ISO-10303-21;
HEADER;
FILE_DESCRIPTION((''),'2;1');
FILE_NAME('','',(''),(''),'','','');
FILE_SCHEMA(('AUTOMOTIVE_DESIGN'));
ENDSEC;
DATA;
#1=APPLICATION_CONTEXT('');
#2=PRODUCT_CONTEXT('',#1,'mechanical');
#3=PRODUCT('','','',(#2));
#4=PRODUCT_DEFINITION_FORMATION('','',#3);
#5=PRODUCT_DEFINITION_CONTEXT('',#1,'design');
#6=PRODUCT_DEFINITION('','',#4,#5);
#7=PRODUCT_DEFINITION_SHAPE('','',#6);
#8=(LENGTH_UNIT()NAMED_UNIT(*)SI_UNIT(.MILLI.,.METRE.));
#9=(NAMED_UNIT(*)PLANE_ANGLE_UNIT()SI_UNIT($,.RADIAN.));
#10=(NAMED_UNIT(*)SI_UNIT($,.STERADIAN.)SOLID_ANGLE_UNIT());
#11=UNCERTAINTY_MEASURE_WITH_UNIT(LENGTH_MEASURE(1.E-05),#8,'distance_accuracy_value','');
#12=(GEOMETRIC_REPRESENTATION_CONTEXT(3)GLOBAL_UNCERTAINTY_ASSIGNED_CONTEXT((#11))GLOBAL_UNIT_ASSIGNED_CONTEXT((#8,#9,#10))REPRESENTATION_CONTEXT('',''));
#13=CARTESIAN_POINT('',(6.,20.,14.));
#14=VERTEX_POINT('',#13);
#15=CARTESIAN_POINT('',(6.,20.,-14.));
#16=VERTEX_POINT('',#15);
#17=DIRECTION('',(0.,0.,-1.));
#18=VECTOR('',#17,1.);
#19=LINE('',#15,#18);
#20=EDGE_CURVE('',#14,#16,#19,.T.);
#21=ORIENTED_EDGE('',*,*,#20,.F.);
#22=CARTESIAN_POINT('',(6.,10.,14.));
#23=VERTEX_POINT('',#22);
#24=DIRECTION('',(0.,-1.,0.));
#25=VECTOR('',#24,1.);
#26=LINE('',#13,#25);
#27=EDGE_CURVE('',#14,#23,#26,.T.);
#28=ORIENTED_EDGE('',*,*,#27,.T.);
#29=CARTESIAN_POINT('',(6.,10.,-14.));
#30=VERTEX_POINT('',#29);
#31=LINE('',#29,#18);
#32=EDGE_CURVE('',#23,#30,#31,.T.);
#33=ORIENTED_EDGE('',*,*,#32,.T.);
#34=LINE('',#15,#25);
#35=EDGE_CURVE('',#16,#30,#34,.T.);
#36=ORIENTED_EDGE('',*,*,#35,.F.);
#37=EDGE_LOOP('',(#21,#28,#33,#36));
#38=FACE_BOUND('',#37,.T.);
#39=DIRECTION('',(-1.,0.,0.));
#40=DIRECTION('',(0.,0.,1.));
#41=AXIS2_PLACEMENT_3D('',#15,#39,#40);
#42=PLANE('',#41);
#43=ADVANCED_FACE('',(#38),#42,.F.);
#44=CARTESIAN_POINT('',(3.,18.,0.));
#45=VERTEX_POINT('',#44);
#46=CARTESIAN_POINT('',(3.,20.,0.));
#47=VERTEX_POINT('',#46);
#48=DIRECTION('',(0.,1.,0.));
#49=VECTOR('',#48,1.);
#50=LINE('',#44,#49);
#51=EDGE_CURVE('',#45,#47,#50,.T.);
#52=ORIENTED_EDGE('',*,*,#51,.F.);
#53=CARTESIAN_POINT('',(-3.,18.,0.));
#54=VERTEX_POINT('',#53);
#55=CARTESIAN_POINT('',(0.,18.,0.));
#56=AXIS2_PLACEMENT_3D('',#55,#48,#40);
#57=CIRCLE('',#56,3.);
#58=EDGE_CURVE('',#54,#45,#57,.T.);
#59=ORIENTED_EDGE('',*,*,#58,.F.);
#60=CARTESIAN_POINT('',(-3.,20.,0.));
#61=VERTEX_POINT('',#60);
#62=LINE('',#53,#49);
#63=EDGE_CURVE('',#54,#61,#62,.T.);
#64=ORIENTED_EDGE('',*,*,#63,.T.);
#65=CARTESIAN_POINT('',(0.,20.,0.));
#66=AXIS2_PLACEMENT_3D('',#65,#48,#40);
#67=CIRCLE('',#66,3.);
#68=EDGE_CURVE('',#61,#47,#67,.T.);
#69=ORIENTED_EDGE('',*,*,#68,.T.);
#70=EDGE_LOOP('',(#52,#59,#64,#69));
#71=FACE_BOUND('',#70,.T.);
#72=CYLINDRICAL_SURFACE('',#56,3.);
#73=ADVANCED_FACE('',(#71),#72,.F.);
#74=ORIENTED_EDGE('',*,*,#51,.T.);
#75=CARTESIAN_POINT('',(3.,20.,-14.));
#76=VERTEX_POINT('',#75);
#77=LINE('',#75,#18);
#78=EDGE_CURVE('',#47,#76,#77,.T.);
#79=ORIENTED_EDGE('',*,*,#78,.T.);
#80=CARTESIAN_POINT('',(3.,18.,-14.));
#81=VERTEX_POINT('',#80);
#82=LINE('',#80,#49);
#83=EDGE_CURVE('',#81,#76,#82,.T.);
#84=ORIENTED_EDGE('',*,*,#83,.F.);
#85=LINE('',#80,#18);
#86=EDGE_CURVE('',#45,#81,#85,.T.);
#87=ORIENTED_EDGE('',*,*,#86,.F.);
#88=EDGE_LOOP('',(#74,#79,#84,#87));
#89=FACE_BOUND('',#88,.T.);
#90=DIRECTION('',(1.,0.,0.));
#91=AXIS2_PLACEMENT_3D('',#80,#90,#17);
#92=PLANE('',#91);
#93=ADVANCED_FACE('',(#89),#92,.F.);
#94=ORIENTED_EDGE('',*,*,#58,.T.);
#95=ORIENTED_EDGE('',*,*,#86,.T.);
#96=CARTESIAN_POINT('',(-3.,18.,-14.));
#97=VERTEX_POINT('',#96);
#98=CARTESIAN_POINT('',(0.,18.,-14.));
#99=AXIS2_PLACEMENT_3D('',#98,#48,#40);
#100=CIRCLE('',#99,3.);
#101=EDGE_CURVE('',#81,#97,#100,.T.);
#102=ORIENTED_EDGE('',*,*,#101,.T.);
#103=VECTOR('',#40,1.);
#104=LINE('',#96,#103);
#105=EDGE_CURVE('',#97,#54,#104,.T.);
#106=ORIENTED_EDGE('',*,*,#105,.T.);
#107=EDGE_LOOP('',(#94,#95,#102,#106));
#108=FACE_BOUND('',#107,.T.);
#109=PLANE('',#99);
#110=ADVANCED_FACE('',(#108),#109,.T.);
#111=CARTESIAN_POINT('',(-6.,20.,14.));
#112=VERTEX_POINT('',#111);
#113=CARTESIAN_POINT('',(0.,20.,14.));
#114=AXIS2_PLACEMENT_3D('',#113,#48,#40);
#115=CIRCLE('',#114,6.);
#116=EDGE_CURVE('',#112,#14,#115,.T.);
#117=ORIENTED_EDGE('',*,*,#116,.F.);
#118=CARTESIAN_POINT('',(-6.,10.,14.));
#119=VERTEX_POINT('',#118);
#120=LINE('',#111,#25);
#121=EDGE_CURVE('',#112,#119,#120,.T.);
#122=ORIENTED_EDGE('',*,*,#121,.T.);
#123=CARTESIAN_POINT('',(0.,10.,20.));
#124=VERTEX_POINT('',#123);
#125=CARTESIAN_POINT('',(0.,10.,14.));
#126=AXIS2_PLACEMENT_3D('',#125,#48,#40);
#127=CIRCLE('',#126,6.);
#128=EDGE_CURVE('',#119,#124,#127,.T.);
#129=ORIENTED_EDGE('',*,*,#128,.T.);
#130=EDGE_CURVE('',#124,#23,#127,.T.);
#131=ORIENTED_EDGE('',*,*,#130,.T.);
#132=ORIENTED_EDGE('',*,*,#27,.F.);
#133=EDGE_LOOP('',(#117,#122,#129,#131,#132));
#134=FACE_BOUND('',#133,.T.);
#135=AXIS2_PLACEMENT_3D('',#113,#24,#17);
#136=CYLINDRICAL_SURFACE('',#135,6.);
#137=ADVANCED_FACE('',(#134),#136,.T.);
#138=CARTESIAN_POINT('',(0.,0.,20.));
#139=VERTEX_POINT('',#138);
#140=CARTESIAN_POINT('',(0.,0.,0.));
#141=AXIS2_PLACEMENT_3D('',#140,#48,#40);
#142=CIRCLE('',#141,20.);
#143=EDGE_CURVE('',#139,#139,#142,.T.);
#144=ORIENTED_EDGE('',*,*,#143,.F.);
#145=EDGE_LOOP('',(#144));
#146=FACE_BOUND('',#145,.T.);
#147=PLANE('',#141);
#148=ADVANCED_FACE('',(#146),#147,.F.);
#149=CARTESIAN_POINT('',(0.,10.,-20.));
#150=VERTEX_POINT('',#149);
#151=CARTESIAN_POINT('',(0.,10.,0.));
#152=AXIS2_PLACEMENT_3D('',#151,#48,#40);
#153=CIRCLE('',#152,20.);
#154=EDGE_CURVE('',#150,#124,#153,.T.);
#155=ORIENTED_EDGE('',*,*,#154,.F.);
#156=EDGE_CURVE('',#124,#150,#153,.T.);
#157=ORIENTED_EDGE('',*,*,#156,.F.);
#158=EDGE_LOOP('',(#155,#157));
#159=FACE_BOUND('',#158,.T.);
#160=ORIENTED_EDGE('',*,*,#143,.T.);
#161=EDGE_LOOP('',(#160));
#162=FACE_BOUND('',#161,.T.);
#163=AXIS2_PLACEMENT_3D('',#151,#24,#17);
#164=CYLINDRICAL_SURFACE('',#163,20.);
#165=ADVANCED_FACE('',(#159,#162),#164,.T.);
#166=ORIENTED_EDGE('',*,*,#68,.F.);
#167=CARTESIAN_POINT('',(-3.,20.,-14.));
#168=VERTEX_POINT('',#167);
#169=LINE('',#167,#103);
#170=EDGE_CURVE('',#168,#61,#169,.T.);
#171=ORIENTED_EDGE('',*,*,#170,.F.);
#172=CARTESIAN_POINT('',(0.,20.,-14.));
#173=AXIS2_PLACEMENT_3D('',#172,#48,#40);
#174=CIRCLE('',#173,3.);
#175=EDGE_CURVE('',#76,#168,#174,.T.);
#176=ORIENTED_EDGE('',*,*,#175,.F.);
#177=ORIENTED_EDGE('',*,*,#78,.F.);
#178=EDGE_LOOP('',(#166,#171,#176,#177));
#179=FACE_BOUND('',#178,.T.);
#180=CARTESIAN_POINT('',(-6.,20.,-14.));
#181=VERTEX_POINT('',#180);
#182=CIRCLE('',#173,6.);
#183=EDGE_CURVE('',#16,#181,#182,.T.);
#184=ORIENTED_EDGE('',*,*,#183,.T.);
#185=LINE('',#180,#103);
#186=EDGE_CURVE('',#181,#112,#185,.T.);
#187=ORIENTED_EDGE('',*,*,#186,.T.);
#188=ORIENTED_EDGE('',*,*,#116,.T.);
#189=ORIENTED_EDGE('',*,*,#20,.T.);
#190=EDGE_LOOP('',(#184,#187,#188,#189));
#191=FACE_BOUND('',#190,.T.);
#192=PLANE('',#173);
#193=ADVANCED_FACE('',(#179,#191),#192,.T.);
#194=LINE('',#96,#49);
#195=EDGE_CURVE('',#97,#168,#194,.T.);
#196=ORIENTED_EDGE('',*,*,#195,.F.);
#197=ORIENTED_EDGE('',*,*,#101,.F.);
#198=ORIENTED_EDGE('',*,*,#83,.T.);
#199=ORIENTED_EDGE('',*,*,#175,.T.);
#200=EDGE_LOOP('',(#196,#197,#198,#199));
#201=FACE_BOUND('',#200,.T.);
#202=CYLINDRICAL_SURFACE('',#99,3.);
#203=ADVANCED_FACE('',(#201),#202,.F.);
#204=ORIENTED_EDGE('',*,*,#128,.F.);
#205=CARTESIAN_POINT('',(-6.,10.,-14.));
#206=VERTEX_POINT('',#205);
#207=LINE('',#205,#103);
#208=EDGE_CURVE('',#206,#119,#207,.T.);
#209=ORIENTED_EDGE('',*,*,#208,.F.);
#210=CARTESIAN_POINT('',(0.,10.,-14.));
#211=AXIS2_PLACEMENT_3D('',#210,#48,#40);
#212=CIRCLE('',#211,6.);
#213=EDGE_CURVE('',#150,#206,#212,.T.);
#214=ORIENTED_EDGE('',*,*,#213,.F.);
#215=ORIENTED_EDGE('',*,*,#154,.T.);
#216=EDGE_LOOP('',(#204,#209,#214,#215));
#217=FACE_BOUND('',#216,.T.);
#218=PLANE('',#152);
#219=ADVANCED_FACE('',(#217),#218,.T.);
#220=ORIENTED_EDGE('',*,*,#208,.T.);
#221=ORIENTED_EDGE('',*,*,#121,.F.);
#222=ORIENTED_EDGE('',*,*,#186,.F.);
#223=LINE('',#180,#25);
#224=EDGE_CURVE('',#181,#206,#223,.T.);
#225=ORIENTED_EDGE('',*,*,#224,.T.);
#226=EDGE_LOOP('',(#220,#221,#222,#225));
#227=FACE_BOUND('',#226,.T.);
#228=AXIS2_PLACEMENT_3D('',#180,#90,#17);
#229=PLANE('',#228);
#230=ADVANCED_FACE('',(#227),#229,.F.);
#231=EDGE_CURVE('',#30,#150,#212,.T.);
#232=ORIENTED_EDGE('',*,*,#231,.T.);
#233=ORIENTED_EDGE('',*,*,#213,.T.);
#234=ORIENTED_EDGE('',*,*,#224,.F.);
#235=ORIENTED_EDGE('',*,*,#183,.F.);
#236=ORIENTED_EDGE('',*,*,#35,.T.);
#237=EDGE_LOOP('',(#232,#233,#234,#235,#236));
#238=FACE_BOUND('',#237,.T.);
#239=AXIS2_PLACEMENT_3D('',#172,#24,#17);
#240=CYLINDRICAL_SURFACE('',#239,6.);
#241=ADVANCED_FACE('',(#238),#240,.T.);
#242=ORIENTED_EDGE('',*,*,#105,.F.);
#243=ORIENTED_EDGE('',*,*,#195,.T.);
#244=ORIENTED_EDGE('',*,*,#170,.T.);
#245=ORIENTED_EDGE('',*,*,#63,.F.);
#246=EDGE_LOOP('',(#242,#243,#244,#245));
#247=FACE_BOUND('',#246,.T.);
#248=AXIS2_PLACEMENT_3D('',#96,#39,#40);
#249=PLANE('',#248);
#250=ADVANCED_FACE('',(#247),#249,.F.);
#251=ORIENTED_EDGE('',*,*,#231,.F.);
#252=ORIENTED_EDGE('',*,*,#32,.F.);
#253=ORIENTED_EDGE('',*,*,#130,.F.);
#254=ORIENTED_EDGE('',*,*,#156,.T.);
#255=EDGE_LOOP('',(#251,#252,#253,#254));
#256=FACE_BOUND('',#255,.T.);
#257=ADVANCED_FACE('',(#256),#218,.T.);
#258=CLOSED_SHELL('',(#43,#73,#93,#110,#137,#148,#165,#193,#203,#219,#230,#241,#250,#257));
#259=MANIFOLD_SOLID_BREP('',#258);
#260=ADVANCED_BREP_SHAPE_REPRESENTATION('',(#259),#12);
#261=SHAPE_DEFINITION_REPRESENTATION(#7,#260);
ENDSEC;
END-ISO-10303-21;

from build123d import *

# Parameters (mm, degrees)
SKETCH_1_R          = 20
EXTRUDE_1_DEPTH     = 10
EXTRUDE_2_DEPTH     = 10
CUT_EXTRUDE_1_DEPTH = 2


with BuildPart() as part:
    # 스케치1 → 보스-돌출1 (new body)
    with BuildSketch(Plane(origin=(0, 0, 0), x_dir=(1, 0, 0), z_dir=(0, 1, 0))):
        with Locations(Location((0, 0, 0), (0, 0, 270))):
            Circle(SKETCH_1_R)
    extrude(amount=EXTRUDE_1_DEPTH)

    # 스케치2 → 보스-돌출2 (add)
    with BuildSketch(Plane(origin=(0, 10, 0), x_dir=(1, 0, 0), z_dir=(0, 1, 0))):
        with BuildLine():
            Line((6, 14), (6, -14))
            ThreePointArc((6, -14), (0, -20), (-6, -14))
            Line((-6, -14), (-6, 14))
            ThreePointArc((-6, 14), (0, 20), (6, 14))
        make_face()
    extrude(amount=EXTRUDE_2_DEPTH)

    # 스케치3 → 컷-돌출1 (cut)
    with BuildSketch(Plane(origin=(0, 20, 0), x_dir=(1, 0, 0), z_dir=(0, 1, 0))):
        with BuildLine():
            Line((3, 14), (3, 0))
            ThreePointArc((3, 0), (0, -3), (-3, 0))
            Line((-3, 0), (-3, 14))
            ThreePointArc((-3, 14), (0, 17), (3, 14))
        make_face()
    extrude(amount=-CUT_EXTRUDE_1_DEPTH, mode=Mode.SUBTRACT)


solid = part.part
